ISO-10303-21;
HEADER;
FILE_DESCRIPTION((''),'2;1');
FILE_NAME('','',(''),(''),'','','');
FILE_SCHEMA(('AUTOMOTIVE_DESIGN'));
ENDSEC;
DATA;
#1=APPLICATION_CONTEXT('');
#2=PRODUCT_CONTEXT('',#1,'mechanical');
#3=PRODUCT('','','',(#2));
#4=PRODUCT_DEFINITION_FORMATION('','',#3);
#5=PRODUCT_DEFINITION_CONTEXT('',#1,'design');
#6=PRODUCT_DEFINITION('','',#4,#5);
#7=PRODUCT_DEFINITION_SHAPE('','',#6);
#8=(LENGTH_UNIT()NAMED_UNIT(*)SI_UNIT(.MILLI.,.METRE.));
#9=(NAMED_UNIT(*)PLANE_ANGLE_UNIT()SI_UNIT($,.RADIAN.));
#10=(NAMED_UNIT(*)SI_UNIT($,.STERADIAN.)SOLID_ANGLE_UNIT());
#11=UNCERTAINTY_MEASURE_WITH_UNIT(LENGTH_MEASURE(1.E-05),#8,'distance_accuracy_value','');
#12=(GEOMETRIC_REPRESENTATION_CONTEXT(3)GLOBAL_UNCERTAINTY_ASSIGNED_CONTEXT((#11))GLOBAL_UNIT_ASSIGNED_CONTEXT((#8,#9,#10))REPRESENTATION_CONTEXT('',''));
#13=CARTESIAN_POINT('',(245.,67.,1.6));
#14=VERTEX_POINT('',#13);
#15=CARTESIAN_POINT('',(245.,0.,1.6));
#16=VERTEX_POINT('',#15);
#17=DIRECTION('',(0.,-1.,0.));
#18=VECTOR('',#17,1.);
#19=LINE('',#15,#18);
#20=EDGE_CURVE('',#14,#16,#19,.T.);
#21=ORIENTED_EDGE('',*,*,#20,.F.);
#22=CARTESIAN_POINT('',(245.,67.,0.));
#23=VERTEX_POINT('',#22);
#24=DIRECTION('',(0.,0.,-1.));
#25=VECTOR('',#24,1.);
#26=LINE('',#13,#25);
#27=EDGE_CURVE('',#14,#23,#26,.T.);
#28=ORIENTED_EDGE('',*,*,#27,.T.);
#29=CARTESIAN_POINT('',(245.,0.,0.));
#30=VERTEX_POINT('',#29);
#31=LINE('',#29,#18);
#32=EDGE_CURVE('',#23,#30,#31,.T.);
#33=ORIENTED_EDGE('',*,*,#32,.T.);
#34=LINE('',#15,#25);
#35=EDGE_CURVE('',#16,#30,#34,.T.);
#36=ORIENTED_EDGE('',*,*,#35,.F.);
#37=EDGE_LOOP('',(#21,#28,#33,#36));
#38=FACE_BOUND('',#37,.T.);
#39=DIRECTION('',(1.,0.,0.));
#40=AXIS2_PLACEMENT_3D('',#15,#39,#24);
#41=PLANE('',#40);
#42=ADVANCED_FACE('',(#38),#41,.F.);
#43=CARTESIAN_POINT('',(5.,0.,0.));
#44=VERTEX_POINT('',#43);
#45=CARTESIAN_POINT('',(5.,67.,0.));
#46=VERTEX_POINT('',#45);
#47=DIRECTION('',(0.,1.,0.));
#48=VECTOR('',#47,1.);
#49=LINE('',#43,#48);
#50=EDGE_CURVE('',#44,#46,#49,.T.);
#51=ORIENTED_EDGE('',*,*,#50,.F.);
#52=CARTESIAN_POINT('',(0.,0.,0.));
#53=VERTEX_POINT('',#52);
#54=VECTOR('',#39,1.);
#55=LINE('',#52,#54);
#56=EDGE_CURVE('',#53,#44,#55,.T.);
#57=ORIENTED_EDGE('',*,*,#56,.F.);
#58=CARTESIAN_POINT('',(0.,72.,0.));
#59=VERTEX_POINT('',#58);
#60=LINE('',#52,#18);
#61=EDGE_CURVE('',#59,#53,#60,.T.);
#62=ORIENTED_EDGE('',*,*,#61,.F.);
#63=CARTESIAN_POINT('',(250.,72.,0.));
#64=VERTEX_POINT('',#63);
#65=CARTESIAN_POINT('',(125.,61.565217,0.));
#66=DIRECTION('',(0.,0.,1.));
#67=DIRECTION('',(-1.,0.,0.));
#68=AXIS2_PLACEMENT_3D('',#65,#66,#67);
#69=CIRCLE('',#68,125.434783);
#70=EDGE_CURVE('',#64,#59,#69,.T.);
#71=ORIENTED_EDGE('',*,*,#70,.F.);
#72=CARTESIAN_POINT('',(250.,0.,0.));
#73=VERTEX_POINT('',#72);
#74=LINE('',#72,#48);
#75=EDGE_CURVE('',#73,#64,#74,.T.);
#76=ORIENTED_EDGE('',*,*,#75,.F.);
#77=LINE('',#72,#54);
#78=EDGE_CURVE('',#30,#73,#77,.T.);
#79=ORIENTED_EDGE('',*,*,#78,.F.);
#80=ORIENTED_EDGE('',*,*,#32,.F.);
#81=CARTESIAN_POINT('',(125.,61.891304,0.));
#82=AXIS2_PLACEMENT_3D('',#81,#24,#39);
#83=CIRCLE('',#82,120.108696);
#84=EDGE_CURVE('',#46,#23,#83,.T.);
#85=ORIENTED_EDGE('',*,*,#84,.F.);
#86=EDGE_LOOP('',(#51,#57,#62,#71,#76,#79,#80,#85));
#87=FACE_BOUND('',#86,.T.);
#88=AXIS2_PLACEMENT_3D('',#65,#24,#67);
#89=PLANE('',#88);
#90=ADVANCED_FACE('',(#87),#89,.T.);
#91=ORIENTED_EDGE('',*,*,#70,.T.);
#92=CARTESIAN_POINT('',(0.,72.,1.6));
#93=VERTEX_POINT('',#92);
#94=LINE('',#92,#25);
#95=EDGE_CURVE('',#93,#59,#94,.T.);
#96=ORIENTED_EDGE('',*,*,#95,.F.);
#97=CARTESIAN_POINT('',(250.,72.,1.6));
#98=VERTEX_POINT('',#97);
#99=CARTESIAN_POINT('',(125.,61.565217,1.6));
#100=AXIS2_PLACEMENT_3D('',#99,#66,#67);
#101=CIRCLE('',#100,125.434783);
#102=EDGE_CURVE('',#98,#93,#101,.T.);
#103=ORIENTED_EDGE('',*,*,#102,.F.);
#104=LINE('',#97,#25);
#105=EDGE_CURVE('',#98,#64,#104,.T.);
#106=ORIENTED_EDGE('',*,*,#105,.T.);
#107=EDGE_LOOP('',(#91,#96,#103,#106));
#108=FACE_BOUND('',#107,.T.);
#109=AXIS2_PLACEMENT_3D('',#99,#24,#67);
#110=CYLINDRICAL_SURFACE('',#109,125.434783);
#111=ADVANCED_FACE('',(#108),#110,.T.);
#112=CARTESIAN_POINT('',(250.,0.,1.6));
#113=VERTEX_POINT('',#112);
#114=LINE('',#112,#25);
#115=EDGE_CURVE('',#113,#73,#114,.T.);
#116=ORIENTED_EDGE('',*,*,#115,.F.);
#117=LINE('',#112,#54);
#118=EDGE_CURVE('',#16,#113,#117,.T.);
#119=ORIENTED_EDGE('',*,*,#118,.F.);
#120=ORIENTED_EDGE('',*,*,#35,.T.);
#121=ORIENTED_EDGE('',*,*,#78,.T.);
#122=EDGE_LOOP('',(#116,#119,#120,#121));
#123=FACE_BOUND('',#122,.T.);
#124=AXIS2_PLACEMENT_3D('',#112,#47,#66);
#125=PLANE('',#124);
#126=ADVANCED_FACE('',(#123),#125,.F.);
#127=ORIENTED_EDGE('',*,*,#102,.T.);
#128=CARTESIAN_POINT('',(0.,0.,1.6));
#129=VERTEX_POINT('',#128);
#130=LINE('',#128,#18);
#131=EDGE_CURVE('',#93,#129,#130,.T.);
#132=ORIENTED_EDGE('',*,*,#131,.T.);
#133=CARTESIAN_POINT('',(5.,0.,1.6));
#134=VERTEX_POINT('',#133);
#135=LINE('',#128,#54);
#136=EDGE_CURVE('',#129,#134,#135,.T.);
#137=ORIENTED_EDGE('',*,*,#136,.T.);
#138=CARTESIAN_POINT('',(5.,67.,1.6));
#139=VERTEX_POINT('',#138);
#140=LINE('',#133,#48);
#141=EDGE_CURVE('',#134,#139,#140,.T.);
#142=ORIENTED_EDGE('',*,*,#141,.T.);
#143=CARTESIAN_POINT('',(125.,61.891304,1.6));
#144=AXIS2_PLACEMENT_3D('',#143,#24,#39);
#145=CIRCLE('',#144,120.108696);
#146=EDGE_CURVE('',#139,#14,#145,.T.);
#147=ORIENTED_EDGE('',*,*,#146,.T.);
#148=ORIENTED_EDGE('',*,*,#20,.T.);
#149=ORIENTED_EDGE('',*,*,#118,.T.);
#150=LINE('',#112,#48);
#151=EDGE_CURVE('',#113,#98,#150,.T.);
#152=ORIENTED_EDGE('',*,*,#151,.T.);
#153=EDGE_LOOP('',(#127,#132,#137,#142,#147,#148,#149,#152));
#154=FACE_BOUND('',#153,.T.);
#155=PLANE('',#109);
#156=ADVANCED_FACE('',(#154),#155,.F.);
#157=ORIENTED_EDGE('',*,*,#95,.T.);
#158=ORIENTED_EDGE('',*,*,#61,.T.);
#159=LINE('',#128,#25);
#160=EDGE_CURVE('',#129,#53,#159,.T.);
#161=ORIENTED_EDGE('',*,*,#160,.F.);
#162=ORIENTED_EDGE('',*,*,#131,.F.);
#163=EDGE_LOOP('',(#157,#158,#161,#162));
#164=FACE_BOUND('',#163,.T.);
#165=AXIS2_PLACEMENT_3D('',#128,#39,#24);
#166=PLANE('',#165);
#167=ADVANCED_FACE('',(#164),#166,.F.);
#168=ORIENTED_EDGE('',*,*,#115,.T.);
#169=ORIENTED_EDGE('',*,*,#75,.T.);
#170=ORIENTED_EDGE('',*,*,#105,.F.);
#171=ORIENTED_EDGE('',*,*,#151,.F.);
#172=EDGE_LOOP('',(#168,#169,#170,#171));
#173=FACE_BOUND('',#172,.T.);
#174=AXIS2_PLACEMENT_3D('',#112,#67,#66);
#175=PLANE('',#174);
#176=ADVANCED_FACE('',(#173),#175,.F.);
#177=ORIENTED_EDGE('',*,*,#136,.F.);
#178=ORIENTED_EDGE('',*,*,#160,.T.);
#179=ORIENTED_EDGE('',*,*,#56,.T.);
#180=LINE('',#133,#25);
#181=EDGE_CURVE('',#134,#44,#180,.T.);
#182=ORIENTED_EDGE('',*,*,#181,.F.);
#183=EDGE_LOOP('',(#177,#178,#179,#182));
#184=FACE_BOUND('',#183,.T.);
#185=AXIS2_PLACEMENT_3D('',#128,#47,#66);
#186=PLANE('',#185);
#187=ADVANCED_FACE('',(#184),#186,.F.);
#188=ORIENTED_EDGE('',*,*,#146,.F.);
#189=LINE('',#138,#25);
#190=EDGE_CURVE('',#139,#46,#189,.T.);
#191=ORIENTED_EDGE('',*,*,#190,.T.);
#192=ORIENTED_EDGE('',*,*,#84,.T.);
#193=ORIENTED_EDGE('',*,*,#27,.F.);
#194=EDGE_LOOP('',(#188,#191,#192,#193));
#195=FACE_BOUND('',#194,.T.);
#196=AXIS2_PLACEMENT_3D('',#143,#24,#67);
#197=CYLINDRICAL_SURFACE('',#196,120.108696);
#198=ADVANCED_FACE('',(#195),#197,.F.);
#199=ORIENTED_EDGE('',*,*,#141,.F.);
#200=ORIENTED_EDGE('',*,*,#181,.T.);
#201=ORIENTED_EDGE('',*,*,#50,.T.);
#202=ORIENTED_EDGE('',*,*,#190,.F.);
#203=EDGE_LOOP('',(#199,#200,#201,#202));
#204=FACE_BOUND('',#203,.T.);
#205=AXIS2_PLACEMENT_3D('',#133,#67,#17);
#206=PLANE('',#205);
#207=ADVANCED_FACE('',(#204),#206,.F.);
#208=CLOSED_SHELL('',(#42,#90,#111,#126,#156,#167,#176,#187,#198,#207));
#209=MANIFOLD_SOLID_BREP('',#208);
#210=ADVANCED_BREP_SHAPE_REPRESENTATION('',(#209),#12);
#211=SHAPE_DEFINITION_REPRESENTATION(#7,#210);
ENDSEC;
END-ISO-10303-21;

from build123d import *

# Parameters (mm, degrees)
BOSS_EXTRU_1_DEPTH = 1.6


with BuildPart() as part:
    # Esquisse1 → Boss.-Extru.1 (new body)
    with BuildSketch(Plane.XY):
        with BuildLine():
            Line((5, 0), (5, 67))
            ThreePointArc((5, 67), (125, 182), (245, 67))
            Line((245, 67), (245, 0))
            Line((245, 0), (250, 0))
            Line((250, 0), (250, 72))
            ThreePointArc((250, 72), (125, 187), (0, 72))
            Line((0, 72), (0, 0))
            Line((0, 0), (5, 0))
        make_face()
    extrude(amount=BOSS_EXTRU_1_DEPTH)


solid = part.part
